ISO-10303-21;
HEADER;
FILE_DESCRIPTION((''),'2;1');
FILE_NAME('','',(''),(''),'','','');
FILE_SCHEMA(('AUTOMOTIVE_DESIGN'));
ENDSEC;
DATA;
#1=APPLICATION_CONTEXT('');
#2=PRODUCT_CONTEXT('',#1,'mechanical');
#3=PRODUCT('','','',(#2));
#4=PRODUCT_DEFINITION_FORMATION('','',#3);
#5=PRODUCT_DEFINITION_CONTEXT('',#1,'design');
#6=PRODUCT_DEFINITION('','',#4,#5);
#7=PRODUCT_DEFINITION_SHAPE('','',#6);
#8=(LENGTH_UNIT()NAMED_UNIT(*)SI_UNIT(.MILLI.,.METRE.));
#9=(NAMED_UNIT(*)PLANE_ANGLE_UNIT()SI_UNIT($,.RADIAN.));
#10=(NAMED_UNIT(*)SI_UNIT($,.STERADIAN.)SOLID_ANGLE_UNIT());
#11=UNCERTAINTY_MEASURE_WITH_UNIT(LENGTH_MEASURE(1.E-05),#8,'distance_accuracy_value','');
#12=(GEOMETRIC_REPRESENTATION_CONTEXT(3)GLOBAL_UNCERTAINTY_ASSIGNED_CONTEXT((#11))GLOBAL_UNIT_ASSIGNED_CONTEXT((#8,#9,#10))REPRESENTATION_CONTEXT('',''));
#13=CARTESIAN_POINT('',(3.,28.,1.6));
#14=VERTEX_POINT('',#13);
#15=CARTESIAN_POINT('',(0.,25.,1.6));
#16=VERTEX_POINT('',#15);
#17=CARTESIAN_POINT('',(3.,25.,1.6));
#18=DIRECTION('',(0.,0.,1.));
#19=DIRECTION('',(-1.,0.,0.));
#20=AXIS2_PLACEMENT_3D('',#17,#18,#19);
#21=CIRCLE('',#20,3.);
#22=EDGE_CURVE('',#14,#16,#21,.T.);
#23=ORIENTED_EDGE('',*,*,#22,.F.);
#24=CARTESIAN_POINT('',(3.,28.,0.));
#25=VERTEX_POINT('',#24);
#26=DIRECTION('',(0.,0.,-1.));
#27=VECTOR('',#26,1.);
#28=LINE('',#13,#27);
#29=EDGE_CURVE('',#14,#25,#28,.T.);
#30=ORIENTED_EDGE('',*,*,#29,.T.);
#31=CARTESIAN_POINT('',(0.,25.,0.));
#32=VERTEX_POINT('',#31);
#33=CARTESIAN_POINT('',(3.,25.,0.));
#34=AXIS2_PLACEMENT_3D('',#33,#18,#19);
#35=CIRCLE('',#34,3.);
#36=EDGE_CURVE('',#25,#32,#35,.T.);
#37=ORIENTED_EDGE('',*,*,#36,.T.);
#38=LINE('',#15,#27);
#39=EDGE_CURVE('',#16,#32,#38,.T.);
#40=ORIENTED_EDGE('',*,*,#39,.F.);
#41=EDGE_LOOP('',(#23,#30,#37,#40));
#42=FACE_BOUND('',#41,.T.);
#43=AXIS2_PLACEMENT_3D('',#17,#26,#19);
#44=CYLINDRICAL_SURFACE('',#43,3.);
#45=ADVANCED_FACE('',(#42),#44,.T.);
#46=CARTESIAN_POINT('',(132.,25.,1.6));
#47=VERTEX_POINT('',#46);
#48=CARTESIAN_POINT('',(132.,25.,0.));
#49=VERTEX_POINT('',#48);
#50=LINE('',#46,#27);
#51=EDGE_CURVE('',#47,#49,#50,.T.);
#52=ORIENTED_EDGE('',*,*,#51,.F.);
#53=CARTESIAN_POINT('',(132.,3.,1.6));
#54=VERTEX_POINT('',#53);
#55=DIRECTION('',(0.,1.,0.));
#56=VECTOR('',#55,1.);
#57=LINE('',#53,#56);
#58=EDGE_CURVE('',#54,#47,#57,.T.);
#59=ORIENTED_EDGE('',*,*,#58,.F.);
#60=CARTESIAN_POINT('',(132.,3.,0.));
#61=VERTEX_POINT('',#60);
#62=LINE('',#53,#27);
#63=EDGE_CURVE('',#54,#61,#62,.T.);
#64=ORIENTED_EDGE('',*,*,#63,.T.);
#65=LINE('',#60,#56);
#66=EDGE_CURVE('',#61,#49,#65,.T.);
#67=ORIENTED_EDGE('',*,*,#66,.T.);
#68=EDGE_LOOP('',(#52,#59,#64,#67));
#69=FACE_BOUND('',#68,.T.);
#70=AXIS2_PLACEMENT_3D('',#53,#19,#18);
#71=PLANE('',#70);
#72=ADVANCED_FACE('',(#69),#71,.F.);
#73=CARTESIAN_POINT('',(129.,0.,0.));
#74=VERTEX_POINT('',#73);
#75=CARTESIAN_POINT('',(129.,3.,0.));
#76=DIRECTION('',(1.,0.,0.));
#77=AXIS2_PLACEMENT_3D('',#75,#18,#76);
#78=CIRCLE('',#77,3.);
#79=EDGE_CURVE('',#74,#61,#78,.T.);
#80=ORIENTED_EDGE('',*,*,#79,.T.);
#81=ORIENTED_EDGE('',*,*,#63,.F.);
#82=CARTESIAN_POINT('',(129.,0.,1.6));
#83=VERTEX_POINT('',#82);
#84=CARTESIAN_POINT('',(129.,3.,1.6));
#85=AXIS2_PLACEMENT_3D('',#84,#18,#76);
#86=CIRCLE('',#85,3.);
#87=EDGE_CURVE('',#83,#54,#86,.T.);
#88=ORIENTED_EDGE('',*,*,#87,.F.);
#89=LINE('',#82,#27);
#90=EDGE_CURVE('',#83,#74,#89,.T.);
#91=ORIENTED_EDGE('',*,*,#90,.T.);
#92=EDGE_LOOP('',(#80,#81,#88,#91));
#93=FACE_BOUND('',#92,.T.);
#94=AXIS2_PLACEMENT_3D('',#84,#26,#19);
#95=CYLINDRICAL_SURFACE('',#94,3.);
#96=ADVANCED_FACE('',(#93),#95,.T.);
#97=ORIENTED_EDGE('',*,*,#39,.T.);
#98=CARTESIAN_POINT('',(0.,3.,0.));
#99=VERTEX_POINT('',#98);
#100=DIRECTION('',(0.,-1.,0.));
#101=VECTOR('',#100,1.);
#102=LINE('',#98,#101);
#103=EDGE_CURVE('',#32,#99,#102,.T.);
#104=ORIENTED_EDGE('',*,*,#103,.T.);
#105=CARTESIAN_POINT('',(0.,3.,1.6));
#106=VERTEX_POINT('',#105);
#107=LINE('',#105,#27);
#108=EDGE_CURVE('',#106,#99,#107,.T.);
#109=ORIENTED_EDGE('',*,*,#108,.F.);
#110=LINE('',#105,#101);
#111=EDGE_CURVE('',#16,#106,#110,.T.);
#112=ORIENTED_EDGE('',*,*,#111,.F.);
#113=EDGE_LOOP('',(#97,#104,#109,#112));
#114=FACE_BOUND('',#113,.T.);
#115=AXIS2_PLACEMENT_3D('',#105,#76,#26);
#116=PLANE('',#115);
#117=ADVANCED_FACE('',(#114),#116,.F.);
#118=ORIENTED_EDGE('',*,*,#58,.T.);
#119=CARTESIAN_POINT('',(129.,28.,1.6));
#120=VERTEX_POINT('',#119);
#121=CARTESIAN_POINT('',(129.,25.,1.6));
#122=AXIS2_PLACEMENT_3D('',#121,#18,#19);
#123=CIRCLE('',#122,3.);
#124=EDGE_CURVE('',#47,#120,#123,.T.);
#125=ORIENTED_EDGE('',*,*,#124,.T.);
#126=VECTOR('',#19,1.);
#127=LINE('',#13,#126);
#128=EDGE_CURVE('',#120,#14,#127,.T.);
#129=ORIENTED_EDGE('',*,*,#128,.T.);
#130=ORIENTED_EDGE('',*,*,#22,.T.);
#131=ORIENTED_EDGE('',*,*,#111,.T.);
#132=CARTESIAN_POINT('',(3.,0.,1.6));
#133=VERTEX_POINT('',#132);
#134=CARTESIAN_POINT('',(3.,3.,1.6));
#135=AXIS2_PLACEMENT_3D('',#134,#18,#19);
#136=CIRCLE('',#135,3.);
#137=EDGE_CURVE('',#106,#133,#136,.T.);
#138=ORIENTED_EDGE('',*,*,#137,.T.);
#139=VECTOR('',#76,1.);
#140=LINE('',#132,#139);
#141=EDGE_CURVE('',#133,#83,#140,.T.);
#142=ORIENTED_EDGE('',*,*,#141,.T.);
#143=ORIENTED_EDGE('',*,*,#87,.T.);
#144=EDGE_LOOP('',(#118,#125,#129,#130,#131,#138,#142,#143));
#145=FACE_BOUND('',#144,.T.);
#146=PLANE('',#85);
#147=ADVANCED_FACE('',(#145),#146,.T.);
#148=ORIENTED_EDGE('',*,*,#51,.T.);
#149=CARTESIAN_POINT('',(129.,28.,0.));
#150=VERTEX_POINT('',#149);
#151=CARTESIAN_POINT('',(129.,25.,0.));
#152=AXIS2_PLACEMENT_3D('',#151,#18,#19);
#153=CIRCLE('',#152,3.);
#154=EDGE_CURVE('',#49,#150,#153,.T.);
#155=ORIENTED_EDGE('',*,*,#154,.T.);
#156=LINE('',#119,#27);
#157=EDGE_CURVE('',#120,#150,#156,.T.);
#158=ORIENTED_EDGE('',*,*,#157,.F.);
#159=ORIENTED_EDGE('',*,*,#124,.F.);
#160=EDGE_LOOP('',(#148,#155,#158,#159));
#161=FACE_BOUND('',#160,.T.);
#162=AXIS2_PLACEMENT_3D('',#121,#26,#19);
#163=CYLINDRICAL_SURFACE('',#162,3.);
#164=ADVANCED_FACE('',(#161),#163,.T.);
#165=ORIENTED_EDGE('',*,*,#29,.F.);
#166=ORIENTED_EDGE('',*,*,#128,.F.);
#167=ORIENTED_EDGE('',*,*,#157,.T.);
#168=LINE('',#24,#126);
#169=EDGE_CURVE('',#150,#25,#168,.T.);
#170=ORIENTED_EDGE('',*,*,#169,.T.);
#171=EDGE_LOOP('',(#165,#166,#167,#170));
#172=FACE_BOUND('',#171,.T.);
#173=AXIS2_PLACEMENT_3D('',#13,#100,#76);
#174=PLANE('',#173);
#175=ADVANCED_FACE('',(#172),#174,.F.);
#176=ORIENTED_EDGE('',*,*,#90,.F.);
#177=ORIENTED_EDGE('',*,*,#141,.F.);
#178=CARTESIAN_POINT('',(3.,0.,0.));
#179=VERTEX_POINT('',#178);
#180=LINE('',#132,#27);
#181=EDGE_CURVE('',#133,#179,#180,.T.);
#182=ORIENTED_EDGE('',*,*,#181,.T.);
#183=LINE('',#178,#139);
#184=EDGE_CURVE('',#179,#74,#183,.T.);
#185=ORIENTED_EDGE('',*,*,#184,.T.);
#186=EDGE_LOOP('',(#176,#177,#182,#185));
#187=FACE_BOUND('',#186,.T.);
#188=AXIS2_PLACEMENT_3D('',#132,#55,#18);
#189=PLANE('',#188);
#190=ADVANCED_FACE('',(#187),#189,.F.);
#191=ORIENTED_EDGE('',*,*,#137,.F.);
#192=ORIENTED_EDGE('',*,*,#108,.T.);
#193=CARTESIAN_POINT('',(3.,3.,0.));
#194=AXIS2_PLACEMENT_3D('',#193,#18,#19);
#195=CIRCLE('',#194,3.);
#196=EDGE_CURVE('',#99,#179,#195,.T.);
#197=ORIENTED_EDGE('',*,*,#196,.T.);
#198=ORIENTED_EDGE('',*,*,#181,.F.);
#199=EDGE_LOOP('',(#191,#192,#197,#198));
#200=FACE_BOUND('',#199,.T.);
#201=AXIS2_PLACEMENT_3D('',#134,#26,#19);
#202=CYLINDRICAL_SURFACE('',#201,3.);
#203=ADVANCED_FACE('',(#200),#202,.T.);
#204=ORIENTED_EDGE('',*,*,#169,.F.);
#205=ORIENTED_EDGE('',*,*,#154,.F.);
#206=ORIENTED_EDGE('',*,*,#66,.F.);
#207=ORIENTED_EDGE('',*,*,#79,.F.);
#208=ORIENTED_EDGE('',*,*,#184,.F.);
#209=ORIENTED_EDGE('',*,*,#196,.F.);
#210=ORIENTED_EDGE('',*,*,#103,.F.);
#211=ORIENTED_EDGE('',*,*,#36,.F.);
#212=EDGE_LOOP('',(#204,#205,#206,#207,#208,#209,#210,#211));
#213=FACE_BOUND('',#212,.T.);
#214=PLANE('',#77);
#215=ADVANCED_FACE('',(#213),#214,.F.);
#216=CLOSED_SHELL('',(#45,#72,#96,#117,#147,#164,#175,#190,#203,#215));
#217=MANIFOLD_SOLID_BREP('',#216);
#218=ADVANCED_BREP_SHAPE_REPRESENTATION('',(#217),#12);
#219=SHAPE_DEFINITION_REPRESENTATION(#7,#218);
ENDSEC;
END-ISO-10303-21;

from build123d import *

# Parameters (mm, degrees)
BOSS_EXTRUDE1_DEPTH = 1.6


with BuildPart() as part:
    # Sketch1 → Boss-Extrude1 (new body)
    with BuildSketch(Plane.XY):
        with BuildLine():
            Line((3, 0), (129, 0))
            ThreePointArc((129, 0), (131.121320344, 0.878679656), (132, 3))
            Line((132, 3), (132, 25))
            ThreePointArc((132, 25), (131.121320344, 27.121320344), (129, 28))
            Line((129, 28), (3, 28))
            ThreePointArc((3, 28), (0.878679656, 27.121320344), (0, 25))
            Line((0, 25), (0, 3))
            ThreePointArc((0, 3), (0.878679656, 0.878679656), (3, 0))
        make_face()
    extrude(amount=BOSS_EXTRUDE1_DEPTH)


solid = part.part
